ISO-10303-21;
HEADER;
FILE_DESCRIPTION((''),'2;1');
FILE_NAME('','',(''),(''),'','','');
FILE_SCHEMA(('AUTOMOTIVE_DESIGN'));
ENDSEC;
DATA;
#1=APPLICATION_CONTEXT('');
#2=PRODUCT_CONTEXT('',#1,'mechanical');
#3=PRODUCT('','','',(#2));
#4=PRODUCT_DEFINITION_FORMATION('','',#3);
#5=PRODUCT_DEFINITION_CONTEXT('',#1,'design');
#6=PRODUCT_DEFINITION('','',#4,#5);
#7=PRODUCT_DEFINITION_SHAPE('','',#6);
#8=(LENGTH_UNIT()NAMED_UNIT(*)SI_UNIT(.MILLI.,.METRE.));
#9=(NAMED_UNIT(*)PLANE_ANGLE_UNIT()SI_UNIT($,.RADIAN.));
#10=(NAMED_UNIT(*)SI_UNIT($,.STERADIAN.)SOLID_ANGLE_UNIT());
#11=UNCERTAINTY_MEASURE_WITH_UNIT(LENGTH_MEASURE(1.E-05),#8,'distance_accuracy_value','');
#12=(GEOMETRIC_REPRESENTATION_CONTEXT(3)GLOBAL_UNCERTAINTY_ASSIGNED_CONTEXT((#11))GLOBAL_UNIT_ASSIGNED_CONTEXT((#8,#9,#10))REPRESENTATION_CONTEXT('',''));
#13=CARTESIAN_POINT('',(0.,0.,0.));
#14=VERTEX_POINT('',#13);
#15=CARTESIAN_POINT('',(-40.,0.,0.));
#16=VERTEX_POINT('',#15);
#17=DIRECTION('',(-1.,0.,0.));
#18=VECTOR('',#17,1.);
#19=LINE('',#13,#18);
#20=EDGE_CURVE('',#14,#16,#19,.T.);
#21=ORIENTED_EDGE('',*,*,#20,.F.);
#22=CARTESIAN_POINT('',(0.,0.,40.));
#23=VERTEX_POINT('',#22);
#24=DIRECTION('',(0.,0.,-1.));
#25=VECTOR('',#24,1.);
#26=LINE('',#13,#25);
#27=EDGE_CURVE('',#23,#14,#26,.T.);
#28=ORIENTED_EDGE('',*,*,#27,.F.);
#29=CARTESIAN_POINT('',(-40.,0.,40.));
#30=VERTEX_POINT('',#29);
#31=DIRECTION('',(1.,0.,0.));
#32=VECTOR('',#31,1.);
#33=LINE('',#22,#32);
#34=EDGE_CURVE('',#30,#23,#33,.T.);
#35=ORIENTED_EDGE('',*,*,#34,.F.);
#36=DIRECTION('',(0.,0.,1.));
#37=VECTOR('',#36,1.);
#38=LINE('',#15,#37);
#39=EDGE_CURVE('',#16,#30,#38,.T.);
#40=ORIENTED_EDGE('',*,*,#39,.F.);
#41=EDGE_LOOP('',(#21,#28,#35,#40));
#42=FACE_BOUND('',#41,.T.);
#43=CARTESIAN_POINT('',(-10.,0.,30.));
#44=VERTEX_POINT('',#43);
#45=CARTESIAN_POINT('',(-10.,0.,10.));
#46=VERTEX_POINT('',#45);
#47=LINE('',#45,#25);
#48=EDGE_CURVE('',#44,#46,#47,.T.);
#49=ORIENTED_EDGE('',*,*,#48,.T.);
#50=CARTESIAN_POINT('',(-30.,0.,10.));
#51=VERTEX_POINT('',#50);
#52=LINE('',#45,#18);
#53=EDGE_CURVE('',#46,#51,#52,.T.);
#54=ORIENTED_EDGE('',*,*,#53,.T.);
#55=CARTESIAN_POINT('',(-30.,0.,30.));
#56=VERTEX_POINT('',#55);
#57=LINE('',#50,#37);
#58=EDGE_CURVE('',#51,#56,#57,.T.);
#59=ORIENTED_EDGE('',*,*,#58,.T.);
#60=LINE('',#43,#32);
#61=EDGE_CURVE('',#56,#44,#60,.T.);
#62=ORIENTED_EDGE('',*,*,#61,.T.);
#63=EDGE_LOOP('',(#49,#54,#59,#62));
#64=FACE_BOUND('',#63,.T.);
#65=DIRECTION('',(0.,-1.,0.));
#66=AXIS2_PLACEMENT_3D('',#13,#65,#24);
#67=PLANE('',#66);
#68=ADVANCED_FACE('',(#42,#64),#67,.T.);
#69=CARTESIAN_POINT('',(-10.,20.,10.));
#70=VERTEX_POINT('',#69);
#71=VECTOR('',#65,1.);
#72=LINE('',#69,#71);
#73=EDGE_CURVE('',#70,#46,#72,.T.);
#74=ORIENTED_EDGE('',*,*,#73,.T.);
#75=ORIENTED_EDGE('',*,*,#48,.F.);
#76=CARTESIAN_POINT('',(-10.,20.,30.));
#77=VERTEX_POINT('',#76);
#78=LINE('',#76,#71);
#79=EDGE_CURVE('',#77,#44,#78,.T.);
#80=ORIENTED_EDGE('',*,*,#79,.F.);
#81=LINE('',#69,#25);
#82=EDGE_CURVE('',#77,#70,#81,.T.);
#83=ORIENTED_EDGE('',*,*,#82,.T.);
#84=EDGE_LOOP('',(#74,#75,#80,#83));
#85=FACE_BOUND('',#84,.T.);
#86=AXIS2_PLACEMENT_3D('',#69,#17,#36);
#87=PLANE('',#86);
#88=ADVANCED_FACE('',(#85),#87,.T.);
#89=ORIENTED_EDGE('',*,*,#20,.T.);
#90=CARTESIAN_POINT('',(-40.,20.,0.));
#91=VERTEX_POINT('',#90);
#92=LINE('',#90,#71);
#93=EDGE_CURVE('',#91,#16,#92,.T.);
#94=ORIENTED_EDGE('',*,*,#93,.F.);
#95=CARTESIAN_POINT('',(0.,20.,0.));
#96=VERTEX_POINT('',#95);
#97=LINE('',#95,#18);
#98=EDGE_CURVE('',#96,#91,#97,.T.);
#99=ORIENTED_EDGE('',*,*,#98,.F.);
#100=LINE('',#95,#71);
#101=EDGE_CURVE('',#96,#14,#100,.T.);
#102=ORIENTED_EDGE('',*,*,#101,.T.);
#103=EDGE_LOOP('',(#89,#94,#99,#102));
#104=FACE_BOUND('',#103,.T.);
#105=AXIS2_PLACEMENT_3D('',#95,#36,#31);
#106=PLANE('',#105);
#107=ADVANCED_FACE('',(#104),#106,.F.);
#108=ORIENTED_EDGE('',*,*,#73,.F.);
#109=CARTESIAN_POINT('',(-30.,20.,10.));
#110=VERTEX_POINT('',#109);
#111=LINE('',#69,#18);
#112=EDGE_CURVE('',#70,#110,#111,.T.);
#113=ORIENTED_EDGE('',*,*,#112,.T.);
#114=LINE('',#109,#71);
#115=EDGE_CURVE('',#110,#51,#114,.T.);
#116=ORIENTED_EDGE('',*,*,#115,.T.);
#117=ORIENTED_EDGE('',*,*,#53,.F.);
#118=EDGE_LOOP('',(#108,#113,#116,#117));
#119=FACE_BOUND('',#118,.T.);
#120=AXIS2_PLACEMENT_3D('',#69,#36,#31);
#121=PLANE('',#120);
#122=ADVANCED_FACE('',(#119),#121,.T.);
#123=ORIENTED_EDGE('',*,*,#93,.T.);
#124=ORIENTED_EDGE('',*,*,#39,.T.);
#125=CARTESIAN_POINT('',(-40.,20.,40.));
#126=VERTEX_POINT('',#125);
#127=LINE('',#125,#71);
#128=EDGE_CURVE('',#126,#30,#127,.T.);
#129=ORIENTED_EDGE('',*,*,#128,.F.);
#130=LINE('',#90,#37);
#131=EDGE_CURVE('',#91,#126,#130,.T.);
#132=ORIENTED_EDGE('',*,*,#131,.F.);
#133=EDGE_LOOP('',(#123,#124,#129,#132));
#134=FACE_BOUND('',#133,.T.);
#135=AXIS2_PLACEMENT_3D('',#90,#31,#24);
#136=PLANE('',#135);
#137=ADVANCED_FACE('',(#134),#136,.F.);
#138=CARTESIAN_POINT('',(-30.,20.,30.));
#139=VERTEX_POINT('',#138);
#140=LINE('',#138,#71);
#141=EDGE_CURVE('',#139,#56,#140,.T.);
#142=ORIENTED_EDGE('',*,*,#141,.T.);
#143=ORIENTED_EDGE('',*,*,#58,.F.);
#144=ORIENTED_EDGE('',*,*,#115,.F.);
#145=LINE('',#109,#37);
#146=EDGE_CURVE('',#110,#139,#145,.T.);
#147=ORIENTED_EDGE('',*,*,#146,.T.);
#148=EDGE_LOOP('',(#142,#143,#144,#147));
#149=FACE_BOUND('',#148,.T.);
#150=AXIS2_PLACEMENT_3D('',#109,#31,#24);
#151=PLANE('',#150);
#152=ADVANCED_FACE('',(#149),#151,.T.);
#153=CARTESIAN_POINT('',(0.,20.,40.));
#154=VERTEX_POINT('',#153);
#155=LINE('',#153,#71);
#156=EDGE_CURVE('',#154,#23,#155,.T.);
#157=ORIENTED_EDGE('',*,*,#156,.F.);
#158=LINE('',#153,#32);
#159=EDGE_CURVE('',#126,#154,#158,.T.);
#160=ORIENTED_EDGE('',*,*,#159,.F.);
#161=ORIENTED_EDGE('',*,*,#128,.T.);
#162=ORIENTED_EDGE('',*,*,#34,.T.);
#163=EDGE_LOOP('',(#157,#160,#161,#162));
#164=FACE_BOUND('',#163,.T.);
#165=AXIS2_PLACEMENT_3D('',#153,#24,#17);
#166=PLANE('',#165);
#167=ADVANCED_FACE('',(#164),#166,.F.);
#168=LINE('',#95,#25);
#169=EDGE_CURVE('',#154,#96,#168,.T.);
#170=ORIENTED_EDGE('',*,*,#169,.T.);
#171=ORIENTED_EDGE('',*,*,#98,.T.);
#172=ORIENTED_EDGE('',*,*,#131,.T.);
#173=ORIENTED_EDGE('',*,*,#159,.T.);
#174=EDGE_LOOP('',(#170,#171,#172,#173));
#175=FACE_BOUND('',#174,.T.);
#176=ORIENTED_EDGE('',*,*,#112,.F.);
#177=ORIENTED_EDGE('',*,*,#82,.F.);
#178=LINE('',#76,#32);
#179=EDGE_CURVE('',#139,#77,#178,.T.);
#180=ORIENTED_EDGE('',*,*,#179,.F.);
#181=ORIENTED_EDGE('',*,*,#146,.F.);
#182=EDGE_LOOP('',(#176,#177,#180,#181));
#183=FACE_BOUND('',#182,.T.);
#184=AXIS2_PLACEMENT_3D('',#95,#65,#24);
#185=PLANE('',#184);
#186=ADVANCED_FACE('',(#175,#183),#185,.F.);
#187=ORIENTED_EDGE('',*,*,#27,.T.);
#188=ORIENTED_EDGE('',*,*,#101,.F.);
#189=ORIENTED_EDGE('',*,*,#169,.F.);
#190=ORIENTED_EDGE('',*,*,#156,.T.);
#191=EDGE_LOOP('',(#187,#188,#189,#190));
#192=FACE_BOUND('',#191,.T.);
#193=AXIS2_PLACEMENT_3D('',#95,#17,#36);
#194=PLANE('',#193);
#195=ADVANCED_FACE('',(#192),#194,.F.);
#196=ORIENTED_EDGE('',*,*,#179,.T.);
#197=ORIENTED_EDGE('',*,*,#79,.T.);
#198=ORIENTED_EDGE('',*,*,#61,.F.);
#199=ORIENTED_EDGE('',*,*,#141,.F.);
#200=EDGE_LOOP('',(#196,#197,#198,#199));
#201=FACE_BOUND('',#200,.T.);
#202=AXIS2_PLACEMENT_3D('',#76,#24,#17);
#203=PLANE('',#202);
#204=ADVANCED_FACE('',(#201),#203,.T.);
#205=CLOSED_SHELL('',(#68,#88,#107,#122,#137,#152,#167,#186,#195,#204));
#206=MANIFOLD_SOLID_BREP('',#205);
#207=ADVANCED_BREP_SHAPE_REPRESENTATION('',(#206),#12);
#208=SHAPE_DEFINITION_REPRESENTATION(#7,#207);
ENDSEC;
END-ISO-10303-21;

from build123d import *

# Parameters (mm, degrees)
SKETCH1_W           = 40
SKETCH1_H           = 40
SKETCH1_W_2         = 20
SKETCH1_H_2         = 20
BOSS_EXTRUDE1_DEPTH = 20


with BuildPart() as part:
    # Sketch1 → Boss-Extrude1 (new body)
    with BuildSketch(Plane(origin=(0, 0, 0), x_dir=(1, 0, 0), z_dir=(0, 1, 0))):
        with Locations((-20, -20)):
            Rectangle(SKETCH1_W, SKETCH1_H)
        with Locations((-20, -20)):
            Rectangle(SKETCH1_W_2, SKETCH1_H_2, mode=Mode.SUBTRACT)
    extrude(amount=BOSS_EXTRUDE1_DEPTH)


solid = part.part
